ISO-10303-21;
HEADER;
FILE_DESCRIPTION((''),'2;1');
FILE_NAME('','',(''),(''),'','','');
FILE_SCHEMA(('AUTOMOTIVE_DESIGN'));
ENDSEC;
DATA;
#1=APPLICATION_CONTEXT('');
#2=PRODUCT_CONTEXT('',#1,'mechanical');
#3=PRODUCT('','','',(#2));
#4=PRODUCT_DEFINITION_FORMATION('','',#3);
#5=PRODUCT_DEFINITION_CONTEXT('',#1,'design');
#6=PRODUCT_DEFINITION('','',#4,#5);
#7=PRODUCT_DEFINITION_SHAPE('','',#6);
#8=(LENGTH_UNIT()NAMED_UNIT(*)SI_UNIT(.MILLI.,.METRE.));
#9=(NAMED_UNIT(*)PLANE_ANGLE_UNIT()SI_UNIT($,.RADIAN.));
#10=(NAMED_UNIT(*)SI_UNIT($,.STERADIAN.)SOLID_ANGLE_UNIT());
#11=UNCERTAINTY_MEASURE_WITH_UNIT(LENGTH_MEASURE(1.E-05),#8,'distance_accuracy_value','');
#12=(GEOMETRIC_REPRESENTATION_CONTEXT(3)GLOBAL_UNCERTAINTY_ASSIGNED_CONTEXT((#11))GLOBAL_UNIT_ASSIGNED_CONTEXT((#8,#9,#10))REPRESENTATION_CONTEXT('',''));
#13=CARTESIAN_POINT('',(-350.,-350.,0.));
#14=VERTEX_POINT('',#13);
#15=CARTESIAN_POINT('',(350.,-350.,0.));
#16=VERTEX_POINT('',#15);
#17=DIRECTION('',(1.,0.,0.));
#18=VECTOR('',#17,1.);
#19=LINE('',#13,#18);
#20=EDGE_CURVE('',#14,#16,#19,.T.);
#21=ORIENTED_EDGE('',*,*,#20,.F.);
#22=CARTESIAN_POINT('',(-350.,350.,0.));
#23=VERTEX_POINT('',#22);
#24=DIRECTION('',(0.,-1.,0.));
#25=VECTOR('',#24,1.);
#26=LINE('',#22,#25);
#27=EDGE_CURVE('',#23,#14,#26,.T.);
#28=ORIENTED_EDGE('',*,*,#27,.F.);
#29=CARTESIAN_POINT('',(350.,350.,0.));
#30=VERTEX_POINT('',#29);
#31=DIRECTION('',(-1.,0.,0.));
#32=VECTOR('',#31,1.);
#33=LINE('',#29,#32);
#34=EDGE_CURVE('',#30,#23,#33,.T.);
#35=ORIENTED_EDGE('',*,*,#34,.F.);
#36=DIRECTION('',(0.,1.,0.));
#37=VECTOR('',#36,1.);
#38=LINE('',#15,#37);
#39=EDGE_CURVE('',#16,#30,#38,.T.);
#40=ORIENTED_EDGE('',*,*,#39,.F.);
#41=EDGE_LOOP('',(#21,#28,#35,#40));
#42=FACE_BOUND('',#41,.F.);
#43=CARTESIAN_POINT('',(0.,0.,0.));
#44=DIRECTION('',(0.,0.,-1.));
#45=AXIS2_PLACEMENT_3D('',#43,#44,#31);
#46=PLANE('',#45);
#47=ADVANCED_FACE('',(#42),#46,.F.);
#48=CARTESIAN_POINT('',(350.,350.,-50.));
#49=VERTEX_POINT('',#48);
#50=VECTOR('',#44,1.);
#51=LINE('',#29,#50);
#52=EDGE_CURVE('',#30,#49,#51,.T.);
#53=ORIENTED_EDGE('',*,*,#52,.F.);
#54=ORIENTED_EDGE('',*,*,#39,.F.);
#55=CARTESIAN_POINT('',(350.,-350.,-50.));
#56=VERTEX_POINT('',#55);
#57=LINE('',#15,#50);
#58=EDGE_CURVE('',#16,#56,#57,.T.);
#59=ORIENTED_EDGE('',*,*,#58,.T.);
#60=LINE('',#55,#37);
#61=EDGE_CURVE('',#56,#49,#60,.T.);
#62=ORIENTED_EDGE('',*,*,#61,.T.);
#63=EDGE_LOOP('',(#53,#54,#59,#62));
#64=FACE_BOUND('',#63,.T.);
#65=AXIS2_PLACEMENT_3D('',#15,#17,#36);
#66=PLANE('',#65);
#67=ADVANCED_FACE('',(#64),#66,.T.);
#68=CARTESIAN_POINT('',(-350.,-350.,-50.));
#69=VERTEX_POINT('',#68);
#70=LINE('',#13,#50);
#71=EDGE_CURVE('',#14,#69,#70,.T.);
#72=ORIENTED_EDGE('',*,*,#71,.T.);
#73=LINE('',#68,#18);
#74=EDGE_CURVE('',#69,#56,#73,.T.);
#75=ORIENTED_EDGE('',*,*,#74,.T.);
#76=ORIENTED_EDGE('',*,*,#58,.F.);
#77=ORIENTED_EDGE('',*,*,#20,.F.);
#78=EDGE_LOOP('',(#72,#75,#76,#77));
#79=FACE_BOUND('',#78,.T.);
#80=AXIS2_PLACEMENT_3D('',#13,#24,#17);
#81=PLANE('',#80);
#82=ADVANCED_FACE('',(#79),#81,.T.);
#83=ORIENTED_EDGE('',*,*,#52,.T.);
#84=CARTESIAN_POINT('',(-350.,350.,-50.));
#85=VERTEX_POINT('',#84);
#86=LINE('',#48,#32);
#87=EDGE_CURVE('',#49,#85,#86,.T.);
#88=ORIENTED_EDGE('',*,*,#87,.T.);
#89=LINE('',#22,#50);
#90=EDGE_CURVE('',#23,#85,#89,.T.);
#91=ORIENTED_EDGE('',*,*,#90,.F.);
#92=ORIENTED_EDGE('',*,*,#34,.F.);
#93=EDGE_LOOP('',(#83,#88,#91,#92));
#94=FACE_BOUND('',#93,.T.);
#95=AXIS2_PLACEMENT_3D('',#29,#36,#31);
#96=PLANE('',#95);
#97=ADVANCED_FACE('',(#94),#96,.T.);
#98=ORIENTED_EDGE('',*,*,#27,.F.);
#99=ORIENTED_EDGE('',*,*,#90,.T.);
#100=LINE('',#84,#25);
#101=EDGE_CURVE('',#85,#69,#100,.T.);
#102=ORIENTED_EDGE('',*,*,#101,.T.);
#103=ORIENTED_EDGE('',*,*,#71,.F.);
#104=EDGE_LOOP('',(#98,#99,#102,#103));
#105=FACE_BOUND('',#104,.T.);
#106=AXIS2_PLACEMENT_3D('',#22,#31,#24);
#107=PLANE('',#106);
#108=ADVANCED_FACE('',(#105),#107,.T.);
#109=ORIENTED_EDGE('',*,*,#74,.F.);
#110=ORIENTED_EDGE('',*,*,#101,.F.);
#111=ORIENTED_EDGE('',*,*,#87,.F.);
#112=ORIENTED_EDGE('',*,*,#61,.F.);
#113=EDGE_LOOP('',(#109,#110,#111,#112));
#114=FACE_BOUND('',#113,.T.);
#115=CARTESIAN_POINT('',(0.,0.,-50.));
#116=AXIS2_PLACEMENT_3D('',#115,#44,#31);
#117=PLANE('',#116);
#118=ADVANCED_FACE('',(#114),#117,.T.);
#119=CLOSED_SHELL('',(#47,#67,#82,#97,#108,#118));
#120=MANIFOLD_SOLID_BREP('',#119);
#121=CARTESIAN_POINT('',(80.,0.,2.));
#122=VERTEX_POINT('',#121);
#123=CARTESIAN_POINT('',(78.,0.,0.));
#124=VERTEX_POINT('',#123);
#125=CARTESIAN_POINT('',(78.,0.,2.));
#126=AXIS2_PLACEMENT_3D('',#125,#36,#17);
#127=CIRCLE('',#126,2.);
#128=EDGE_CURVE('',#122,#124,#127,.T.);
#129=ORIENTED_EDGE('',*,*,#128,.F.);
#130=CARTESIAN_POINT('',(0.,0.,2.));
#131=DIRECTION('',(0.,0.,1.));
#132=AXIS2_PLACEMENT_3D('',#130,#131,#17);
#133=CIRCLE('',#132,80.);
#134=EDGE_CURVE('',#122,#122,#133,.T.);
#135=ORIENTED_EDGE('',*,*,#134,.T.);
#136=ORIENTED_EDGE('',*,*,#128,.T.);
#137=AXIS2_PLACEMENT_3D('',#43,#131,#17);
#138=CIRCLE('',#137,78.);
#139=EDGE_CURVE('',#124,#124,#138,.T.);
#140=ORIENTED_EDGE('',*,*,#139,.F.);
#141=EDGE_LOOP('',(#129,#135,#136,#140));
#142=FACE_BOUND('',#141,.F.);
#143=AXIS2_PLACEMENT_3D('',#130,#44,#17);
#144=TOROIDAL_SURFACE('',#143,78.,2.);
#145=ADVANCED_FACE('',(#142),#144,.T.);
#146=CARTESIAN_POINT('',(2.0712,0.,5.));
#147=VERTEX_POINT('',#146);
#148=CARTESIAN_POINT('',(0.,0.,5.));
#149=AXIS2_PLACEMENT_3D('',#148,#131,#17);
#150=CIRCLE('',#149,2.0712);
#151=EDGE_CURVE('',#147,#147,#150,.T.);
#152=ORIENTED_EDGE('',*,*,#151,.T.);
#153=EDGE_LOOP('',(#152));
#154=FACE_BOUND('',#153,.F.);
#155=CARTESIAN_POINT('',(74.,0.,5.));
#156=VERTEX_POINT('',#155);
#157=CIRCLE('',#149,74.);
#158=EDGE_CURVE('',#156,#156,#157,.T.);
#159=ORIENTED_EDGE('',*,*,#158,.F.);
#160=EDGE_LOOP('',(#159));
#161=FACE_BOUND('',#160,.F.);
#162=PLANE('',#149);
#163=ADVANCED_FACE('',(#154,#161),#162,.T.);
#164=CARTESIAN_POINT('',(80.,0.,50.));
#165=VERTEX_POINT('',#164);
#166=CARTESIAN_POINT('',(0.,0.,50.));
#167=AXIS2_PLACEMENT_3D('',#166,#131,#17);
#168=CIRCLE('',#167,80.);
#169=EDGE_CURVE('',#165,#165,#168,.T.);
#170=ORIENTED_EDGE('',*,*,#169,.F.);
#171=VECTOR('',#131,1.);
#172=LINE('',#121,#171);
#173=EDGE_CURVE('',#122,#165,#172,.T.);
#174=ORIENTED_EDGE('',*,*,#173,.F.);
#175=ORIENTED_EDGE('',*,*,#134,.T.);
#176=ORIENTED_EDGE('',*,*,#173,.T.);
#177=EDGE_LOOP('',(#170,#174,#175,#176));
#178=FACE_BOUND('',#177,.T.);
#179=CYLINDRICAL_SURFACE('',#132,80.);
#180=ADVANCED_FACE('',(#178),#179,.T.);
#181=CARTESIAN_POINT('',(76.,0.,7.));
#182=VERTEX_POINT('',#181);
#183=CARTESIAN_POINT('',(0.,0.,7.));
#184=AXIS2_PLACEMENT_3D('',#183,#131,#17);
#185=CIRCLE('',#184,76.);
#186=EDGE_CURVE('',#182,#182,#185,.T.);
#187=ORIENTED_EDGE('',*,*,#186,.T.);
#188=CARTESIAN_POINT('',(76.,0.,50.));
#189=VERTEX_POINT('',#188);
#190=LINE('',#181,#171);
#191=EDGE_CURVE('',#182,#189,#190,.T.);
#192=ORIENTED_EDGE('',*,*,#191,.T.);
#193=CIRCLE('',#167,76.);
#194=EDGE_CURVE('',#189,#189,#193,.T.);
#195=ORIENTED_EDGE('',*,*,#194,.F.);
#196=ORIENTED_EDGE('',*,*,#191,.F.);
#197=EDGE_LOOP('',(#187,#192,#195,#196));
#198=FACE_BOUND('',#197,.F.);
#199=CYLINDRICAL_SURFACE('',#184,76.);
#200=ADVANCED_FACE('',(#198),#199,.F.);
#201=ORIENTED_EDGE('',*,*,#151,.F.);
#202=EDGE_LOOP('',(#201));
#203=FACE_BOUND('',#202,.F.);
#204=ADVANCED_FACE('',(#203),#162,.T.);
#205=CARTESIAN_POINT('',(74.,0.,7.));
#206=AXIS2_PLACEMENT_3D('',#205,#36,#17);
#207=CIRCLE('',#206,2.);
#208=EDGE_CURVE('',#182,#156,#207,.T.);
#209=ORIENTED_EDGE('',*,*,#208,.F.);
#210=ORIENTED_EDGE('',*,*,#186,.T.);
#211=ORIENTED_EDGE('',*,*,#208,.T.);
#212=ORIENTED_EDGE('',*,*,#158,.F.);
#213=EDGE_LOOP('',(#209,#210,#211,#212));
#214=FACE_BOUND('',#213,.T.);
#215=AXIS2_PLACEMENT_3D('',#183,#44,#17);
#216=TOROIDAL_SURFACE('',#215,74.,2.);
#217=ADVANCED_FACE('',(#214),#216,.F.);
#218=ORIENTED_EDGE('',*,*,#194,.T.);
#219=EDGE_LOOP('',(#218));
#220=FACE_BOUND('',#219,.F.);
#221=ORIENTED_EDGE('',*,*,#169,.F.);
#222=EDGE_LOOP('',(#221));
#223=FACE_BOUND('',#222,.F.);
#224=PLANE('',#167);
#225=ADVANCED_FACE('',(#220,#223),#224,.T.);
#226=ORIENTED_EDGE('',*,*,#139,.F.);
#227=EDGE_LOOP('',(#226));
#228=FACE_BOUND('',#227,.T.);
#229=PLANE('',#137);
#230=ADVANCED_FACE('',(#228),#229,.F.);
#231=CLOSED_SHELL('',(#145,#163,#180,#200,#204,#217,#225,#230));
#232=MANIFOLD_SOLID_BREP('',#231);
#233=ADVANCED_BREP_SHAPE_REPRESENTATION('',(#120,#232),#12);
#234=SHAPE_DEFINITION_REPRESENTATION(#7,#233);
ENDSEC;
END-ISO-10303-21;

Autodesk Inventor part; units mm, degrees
ref_plane "YZ Plane" through (0, 0, 0) normal (1, 0, 0) x (0, 1, 0)
ref_plane "XZ Plane" through (0, 0, 0) normal (0, 1, 0) x (-1, 0, 0)
ref_plane "XY Plane" through (0, 0, 0) normal (0, 0, 1) x (1, 0, 0)
sketch "Эскиз3" plane through (0, 0, 0) normal (0, 1, 0) x (-1, 0, 0)
  line L0 (0, 0) -> (-78, 0)
  arc A0 (-80, 2) -> (-78, 0) centre (-78, 2) ccw
  line L1 (-2.0712, 5) -> (-74, 5)
  arc A1 (-76, 7) -> (-74, 5) centre (-74, 7) ccw
  line L2 (0, 0) -> (0, 5)
  line L3 (0, 5) -> (-2.0712, 5)
  line L4 (0, -10.4971) -> (0, 60.0828) projected
  line L5 (-80, 2) -> (-80, 50)
  line L6 (-76, 7) -> (-76, 50)
  line L7 (-76, 50) -> (-80, 50)
  dimension "d7" = 5
  dimension "d11" = 48
revolve "Вращение1" add sketch "Эскиз3" angle 360 about axis through (0, 0, -10) along (0, 0, 1)
sketch "Эскиз4" plane through (0, 0, 0) normal (0, 0, -1) x (-1, 0, 0)
  point P0 (0, 0)
sketch "Эскиз5" plane through (0, 0, 0) normal (0, 0, -1) x (-1, 0, 0)
  line L0 (350, -350) -> (-350, -350)
  line L1 (-350, -350) -> (-350, 350)
  line L2 (-350, 350) -> (350, 350)
  line L3 (350, 350) -> (350, -350)
  line L4 (350, -350) -> (-350, 350) construction
  line L5 (-350, -350) -> (350, 350) construction
  point P0 (0, 0)
  dimension "d12" = 700
  dimension "d13" = 700
extrude "Выдавливание2" add sketch "Эскиз5" along normal blind 50 separate body
properties part number "крепеж доска+доска"
